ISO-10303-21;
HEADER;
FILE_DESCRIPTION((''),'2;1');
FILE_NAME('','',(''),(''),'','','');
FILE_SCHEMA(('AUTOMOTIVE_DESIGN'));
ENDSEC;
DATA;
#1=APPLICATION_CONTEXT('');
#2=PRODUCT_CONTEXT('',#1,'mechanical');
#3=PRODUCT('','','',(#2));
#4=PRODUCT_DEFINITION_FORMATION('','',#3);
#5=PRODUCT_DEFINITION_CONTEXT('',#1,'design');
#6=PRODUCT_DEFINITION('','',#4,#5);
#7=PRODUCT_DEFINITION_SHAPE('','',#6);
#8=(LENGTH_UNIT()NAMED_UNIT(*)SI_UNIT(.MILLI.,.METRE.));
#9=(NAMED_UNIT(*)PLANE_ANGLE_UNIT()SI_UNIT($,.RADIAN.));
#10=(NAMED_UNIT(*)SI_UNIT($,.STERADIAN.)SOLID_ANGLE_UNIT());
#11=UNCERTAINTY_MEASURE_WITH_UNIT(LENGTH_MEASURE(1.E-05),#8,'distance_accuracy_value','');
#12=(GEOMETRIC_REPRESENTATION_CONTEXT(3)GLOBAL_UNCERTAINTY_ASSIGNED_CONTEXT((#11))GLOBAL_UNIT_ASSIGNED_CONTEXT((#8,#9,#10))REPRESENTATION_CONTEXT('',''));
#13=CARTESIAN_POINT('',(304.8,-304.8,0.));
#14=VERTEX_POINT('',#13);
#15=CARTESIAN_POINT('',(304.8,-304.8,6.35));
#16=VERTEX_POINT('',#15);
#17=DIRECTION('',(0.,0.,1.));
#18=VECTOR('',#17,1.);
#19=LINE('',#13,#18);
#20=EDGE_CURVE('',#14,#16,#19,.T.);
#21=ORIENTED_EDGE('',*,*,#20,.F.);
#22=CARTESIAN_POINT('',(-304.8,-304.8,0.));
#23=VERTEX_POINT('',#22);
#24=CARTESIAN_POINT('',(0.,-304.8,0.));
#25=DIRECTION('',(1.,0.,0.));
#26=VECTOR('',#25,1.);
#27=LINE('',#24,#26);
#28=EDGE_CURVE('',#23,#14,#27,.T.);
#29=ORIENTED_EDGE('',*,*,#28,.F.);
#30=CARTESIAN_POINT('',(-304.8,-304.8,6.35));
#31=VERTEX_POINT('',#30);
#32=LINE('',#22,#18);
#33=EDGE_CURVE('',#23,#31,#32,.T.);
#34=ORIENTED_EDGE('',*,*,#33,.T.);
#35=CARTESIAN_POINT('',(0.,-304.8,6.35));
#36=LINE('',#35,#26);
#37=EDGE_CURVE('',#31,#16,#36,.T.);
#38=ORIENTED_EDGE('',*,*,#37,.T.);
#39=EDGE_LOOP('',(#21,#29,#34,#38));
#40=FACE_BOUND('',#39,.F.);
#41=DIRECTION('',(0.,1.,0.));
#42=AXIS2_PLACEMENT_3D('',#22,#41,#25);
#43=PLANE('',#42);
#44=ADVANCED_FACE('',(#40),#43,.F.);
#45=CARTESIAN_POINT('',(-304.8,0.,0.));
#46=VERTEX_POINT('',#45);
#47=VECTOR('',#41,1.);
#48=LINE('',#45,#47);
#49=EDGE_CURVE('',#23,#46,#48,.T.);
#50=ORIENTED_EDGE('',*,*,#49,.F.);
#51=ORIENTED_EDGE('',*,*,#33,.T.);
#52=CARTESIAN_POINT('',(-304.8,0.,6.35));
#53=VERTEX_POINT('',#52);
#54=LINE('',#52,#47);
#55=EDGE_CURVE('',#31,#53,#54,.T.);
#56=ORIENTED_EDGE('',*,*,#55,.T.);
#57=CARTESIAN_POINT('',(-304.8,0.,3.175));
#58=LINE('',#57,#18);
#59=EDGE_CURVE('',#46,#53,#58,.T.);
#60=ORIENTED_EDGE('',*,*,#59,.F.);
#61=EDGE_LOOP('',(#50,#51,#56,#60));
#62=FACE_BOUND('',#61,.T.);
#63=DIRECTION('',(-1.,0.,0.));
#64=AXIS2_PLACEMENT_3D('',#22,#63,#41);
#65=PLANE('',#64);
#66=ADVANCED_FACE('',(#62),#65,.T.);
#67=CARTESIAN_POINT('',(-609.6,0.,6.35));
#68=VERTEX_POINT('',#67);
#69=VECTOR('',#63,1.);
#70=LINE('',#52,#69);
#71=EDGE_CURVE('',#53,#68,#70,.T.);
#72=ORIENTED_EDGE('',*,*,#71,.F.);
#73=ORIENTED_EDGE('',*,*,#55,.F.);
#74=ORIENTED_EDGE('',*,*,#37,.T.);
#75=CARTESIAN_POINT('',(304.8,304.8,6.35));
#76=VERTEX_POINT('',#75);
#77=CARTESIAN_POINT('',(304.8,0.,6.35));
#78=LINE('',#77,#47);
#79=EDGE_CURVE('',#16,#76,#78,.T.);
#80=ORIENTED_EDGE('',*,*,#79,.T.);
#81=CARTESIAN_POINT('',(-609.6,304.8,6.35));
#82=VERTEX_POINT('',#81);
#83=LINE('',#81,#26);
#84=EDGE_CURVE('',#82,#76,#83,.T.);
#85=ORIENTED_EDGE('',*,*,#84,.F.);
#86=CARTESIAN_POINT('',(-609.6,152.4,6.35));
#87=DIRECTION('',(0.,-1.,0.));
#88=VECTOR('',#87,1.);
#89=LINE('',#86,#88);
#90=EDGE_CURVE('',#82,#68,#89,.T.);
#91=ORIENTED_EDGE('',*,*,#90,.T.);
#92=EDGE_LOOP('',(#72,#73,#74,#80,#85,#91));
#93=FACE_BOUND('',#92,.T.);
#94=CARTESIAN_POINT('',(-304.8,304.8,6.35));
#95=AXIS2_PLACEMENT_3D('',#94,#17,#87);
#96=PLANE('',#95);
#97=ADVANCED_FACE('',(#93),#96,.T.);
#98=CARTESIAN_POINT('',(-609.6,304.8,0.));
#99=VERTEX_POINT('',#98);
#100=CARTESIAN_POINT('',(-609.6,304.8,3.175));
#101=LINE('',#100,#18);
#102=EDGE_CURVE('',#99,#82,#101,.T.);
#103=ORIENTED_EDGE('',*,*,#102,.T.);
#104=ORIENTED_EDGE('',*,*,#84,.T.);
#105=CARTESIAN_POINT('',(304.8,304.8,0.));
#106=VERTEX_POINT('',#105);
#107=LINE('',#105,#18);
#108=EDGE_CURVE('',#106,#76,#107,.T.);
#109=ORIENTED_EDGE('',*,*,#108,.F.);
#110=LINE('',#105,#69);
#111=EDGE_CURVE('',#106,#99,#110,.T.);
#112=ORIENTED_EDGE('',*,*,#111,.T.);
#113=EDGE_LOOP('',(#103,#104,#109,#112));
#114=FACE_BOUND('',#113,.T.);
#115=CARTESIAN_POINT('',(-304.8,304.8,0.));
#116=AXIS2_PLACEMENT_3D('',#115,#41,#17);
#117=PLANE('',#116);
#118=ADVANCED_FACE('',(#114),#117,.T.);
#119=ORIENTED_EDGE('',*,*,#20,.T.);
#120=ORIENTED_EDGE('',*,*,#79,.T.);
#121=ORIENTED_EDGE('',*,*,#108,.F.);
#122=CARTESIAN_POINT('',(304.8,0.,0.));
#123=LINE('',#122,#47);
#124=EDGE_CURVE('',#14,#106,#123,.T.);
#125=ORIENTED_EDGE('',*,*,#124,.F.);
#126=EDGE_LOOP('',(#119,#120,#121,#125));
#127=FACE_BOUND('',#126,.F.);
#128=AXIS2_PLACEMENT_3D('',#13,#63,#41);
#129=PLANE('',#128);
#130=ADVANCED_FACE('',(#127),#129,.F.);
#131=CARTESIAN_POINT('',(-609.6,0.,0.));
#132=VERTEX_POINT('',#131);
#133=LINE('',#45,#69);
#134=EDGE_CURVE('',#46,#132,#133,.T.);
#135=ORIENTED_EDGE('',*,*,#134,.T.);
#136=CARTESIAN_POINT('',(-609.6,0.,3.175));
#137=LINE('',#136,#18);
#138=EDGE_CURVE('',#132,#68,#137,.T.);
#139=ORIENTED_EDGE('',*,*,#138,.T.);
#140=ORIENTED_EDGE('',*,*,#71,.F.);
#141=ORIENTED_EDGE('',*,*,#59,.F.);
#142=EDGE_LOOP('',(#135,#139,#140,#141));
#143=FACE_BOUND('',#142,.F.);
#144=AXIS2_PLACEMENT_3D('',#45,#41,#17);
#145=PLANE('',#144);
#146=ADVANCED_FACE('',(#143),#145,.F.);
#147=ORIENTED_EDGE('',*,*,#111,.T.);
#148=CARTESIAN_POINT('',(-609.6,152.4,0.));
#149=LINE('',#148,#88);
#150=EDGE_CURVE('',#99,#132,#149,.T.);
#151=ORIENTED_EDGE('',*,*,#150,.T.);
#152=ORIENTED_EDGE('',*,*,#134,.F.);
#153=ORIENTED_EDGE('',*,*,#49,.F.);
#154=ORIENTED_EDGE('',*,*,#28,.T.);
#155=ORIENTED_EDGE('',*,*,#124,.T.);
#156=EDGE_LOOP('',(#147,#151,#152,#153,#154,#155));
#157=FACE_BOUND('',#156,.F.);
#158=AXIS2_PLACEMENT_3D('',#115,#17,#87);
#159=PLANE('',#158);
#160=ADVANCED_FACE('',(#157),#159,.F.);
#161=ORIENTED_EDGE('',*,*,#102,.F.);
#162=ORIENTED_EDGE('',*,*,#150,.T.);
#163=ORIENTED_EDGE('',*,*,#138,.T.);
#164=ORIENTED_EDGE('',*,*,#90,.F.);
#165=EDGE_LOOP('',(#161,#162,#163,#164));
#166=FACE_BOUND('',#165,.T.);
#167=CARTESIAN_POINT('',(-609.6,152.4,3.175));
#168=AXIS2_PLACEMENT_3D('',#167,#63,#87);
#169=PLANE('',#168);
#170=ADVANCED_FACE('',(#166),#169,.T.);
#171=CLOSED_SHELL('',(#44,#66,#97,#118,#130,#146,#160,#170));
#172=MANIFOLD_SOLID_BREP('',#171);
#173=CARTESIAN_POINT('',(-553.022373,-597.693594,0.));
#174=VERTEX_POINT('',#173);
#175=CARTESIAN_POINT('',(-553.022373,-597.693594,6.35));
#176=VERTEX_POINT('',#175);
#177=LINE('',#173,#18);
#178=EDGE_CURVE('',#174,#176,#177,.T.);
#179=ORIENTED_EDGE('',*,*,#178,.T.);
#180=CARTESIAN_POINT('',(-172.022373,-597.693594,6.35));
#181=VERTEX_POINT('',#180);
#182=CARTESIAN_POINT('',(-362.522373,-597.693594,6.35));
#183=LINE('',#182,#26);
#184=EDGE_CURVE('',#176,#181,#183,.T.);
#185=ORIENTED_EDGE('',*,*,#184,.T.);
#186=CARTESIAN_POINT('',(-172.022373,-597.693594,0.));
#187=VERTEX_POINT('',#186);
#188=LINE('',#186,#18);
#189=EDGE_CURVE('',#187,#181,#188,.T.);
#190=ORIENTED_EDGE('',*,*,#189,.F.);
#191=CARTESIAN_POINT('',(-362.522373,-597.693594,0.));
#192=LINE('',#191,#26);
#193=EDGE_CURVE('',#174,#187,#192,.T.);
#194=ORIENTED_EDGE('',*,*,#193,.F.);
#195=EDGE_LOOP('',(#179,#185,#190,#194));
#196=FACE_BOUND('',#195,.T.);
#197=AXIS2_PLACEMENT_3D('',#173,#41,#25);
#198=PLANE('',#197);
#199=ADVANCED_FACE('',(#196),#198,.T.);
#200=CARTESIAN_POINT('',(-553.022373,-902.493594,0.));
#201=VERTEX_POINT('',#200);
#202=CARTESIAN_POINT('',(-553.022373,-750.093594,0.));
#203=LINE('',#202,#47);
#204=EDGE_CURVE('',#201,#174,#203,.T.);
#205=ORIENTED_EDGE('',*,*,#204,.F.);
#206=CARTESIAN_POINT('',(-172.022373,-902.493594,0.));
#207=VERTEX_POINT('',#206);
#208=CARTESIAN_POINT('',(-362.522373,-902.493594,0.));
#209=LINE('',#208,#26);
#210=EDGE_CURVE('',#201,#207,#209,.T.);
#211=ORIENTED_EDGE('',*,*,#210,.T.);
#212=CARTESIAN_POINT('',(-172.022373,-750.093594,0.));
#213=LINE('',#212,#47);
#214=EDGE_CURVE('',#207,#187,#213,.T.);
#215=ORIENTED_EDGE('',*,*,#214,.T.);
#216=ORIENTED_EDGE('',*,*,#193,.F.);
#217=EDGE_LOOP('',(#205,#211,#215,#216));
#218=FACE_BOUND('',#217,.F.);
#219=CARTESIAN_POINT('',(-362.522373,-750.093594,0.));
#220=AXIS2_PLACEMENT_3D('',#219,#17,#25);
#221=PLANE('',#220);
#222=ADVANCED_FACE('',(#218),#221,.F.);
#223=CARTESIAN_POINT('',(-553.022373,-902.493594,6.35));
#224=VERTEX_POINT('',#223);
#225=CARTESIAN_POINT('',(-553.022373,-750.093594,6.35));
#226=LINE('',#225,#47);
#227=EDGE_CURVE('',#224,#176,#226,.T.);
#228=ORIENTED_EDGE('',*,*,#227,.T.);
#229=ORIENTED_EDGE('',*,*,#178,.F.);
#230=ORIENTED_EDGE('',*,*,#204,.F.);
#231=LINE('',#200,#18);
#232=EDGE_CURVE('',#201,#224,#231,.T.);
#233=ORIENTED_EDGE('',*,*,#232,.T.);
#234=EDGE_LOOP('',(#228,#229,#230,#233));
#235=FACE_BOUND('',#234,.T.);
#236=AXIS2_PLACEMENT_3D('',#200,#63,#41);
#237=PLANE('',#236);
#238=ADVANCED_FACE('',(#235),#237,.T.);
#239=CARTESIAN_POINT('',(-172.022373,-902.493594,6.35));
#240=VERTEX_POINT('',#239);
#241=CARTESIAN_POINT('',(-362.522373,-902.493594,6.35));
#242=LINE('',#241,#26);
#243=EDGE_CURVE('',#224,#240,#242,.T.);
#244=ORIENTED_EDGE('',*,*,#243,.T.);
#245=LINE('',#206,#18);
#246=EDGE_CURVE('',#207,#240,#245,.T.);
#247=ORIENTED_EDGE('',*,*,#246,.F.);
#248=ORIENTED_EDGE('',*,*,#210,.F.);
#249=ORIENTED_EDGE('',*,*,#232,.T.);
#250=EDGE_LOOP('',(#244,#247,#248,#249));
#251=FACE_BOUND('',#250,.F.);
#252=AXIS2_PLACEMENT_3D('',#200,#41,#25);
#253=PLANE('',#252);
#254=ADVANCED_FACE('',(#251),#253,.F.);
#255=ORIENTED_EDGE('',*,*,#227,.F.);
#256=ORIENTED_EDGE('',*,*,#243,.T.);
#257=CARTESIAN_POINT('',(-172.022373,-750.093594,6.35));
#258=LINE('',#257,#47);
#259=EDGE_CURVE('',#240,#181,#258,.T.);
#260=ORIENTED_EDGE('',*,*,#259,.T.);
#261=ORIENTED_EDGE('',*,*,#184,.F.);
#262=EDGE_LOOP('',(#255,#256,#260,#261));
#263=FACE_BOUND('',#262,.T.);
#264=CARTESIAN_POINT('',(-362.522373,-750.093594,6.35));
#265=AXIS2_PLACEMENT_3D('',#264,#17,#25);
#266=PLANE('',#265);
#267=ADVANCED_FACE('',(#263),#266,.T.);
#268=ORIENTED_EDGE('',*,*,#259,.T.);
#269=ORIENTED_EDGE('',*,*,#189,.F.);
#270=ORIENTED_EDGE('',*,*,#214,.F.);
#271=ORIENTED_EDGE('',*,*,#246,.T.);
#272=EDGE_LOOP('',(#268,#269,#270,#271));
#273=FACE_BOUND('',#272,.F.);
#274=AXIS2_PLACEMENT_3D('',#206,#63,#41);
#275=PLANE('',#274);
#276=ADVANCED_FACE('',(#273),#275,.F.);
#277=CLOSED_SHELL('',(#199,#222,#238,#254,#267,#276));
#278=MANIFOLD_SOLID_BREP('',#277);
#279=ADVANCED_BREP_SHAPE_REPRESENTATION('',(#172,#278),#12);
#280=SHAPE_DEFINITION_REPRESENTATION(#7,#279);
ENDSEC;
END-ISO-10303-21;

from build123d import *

# Parameters (mm, degrees)
F0_W     = 609.6
F0_H     = 609.6
F1_DEPTH = 6.35
F2_W     = 304.8
F2_H     = 6.35
F3_DEPTH = 304.8
F4_W     = 381
F4_H     = 304.8
F5_DEPTH = 6.35


with BuildPart() as f1:
    # F0 (on Top) → F1 (new body)
    with BuildSketch(Plane.XY):
        Rectangle(F0_W, F0_H)
    extrude(amount=F1_DEPTH)

    # F2 (on face) → F3 (join)
    with BuildSketch(Plane(origin=(-304.8, 0, 0), x_dir=(0, -1, 0), z_dir=(-1, 0, 0))):
        with Locations((-152.4, 3.175)):
            Rectangle(F2_W, F2_H)
    extrude(amount=F3_DEPTH)


with BuildPart() as f5:
    # F4 (on Top) → F5 (new body)
    with BuildSketch(Plane.XY):
        with Locations((-362.522373, -750.093594)):
            Rectangle(F4_W, F4_H)
    extrude(amount=F5_DEPTH)


solid = Compound([f1.part, f5.part])
